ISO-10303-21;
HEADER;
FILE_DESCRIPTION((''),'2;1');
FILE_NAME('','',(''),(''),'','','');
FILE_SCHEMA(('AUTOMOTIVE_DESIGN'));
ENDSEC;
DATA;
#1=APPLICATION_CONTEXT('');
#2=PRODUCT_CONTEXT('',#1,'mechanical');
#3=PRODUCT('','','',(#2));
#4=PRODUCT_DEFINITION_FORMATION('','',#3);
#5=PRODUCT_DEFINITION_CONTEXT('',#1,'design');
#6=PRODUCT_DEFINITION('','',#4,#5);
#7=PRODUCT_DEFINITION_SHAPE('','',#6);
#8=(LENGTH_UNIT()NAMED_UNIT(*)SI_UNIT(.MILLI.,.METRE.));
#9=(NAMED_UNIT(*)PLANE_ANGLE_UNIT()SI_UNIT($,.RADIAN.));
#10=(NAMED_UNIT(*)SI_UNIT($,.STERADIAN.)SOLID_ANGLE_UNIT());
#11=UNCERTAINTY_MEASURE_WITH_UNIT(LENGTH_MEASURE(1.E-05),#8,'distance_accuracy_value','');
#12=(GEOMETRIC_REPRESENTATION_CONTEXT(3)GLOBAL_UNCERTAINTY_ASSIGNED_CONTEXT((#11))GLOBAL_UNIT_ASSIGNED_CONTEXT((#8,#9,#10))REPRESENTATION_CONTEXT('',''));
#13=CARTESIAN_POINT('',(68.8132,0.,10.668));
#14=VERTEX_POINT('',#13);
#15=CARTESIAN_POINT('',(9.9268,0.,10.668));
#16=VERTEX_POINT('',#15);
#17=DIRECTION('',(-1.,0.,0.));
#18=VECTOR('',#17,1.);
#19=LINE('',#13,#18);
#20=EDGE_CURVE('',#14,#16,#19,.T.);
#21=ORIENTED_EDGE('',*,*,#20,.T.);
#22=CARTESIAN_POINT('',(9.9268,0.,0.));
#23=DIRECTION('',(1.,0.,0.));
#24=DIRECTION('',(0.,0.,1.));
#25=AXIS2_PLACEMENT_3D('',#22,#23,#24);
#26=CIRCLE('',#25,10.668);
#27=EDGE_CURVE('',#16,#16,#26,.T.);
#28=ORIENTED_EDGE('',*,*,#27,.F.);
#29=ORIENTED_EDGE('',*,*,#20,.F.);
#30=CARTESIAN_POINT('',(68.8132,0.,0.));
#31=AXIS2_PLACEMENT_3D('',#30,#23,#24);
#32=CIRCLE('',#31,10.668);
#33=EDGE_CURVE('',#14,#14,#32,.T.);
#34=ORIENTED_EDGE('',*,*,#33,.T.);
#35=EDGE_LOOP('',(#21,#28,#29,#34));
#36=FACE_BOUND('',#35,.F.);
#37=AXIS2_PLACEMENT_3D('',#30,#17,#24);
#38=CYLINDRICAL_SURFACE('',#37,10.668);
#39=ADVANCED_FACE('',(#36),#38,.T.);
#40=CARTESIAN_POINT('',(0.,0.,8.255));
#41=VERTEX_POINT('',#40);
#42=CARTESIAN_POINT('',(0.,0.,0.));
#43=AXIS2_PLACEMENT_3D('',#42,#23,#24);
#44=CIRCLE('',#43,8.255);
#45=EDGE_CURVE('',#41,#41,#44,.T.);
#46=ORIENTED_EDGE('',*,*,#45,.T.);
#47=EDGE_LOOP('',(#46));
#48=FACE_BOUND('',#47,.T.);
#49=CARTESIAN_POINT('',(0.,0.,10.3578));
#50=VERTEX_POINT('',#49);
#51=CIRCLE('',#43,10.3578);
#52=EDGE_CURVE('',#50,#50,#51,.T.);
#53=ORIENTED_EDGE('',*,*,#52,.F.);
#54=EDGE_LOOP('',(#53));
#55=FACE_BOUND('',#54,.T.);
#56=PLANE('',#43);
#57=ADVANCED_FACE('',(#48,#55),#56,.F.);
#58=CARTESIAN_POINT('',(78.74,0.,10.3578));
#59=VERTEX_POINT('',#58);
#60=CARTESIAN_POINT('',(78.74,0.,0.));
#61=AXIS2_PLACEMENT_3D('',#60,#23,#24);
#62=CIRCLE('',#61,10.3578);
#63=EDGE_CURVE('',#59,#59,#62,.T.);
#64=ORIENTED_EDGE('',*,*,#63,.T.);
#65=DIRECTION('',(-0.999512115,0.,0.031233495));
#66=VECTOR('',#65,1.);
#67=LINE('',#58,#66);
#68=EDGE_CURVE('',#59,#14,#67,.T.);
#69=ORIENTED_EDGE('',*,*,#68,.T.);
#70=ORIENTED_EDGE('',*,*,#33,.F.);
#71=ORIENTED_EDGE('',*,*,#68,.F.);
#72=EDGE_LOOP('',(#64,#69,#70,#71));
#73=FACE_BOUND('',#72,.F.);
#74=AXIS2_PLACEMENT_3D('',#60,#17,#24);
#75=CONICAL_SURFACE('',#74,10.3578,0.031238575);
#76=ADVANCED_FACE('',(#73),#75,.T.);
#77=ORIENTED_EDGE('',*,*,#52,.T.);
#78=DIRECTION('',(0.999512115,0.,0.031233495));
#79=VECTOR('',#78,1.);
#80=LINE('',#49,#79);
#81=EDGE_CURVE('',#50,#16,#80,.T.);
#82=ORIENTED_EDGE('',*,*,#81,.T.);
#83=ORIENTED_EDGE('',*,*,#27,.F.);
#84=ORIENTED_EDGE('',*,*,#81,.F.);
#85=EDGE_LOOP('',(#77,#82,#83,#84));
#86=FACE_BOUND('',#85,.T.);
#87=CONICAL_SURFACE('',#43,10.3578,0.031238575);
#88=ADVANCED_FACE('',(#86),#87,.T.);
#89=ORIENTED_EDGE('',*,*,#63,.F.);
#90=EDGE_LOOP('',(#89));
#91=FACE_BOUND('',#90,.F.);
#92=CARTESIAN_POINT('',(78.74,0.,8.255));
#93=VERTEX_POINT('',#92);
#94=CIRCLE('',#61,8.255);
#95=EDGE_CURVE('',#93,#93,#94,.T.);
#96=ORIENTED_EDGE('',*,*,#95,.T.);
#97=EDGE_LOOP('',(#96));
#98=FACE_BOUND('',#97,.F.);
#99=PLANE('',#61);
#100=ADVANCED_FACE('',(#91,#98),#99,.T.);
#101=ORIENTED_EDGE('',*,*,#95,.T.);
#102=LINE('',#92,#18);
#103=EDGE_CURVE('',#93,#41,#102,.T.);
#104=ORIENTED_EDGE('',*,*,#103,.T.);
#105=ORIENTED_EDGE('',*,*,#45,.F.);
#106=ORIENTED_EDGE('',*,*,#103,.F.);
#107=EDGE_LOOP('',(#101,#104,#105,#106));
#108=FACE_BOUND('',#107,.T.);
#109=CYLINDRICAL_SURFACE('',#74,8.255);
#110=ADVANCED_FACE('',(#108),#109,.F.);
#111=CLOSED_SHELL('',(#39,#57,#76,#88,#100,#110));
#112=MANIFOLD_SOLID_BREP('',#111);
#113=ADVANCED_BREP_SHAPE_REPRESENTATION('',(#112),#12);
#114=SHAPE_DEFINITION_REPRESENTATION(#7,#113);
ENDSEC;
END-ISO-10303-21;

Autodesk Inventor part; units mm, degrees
ref_plane "YZ Plane" through (0, 0, 0) normal (1, 0, 0) x (0, 1, 0)
ref_plane "XZ Plane" through (0, 0, 0) normal (0, 1, 0) x (-1, 0, 0)
ref_plane "XY Plane" through (0, 0, 0) normal (0, 0, 1) x (1, 0, 0)
sketch "Sketch1" plane through (0, 0, 0) normal (0, 1, 0) x (-1, 0, 0)
  line L0 (0, 0) -> (-78.74, 0)
  line L1 (-78.74, 0) -> (-78.74, 8.255) construction
  line L2 (-78.74, 8.255) -> (-78.74, 10.3578)
  line L3 (-78.74, 10.3578) -> (-68.8132, 10.668)
  line L4 (-68.8132, 10.668) -> (-9.9268, 10.668)
  line L5 (-39.37, 0) -> (-39.37, 10.668) construction
  line L6 (-78.74, 8.255) -> (0, 8.255)
  line L7 (0, 0) -> (0, 8.255) construction
  line L8 (0, 8.255) -> (0, 10.3578)
  line L9 (0, 10.3578) -> (-9.9268, 10.668)
  line L10 (-65.184, 10.7814) -> (-65.184, 0) construction
  line L11 (-13.556, 10.7814) -> (-13.556, 0) construction
  line L12 (-68.8132, 10.668) -> (-65.184, 10.7814) construction
  line L13 (-68.8132, 10.668) -> (-68.8132, 0) construction
  line L14 (-9.9268, 10.668) -> (-13.556, 10.7814) construction
  line L15 (-9.9268, 10.668) -> (-9.9268, 0) construction
  dimension "d0" = 21.336
  dimension "d1" = 1.79
  dimension "d2" = 16.51
  dimension "d3" = 78.74
  dimension "d4" = 13.556
  dimension "d5" = 21.5628
revolve "Revolution1" add sketch "Sketch1" angle 360 about axis through (0, 0, 0) along (1, 0, 0)
thread "Thread1" size "1/2" designation "1/2 - 14 NPT" standard "NPT" full length
thread "Thread2" size "1/2" designation "1/2 - 14 NPT" standard "NPT" full length
equation "\"d0\" = OD"
equation "\"d2\" = ID"
equation "\"d3\" = L"
equation "\"d4\" = L2"
equation "\"d5\" = D2"
equation "\"OD\" = 21.336"
equation "\"t\" = 2.413"
equation "\"L\" = PL"
equation "\"L4\" = 19.8501"
equation "\"ID\" = 16.51"
equation "\"PL\" = 78.74"
equation "\"D2\" = 21.56282"
equation "\"L2\" = 13.55598"
equation "\"Size_Designation\" = 1.2345"
equation "\"PLmin\" = 2 * L2"
properties material "Steel, Wrought"
